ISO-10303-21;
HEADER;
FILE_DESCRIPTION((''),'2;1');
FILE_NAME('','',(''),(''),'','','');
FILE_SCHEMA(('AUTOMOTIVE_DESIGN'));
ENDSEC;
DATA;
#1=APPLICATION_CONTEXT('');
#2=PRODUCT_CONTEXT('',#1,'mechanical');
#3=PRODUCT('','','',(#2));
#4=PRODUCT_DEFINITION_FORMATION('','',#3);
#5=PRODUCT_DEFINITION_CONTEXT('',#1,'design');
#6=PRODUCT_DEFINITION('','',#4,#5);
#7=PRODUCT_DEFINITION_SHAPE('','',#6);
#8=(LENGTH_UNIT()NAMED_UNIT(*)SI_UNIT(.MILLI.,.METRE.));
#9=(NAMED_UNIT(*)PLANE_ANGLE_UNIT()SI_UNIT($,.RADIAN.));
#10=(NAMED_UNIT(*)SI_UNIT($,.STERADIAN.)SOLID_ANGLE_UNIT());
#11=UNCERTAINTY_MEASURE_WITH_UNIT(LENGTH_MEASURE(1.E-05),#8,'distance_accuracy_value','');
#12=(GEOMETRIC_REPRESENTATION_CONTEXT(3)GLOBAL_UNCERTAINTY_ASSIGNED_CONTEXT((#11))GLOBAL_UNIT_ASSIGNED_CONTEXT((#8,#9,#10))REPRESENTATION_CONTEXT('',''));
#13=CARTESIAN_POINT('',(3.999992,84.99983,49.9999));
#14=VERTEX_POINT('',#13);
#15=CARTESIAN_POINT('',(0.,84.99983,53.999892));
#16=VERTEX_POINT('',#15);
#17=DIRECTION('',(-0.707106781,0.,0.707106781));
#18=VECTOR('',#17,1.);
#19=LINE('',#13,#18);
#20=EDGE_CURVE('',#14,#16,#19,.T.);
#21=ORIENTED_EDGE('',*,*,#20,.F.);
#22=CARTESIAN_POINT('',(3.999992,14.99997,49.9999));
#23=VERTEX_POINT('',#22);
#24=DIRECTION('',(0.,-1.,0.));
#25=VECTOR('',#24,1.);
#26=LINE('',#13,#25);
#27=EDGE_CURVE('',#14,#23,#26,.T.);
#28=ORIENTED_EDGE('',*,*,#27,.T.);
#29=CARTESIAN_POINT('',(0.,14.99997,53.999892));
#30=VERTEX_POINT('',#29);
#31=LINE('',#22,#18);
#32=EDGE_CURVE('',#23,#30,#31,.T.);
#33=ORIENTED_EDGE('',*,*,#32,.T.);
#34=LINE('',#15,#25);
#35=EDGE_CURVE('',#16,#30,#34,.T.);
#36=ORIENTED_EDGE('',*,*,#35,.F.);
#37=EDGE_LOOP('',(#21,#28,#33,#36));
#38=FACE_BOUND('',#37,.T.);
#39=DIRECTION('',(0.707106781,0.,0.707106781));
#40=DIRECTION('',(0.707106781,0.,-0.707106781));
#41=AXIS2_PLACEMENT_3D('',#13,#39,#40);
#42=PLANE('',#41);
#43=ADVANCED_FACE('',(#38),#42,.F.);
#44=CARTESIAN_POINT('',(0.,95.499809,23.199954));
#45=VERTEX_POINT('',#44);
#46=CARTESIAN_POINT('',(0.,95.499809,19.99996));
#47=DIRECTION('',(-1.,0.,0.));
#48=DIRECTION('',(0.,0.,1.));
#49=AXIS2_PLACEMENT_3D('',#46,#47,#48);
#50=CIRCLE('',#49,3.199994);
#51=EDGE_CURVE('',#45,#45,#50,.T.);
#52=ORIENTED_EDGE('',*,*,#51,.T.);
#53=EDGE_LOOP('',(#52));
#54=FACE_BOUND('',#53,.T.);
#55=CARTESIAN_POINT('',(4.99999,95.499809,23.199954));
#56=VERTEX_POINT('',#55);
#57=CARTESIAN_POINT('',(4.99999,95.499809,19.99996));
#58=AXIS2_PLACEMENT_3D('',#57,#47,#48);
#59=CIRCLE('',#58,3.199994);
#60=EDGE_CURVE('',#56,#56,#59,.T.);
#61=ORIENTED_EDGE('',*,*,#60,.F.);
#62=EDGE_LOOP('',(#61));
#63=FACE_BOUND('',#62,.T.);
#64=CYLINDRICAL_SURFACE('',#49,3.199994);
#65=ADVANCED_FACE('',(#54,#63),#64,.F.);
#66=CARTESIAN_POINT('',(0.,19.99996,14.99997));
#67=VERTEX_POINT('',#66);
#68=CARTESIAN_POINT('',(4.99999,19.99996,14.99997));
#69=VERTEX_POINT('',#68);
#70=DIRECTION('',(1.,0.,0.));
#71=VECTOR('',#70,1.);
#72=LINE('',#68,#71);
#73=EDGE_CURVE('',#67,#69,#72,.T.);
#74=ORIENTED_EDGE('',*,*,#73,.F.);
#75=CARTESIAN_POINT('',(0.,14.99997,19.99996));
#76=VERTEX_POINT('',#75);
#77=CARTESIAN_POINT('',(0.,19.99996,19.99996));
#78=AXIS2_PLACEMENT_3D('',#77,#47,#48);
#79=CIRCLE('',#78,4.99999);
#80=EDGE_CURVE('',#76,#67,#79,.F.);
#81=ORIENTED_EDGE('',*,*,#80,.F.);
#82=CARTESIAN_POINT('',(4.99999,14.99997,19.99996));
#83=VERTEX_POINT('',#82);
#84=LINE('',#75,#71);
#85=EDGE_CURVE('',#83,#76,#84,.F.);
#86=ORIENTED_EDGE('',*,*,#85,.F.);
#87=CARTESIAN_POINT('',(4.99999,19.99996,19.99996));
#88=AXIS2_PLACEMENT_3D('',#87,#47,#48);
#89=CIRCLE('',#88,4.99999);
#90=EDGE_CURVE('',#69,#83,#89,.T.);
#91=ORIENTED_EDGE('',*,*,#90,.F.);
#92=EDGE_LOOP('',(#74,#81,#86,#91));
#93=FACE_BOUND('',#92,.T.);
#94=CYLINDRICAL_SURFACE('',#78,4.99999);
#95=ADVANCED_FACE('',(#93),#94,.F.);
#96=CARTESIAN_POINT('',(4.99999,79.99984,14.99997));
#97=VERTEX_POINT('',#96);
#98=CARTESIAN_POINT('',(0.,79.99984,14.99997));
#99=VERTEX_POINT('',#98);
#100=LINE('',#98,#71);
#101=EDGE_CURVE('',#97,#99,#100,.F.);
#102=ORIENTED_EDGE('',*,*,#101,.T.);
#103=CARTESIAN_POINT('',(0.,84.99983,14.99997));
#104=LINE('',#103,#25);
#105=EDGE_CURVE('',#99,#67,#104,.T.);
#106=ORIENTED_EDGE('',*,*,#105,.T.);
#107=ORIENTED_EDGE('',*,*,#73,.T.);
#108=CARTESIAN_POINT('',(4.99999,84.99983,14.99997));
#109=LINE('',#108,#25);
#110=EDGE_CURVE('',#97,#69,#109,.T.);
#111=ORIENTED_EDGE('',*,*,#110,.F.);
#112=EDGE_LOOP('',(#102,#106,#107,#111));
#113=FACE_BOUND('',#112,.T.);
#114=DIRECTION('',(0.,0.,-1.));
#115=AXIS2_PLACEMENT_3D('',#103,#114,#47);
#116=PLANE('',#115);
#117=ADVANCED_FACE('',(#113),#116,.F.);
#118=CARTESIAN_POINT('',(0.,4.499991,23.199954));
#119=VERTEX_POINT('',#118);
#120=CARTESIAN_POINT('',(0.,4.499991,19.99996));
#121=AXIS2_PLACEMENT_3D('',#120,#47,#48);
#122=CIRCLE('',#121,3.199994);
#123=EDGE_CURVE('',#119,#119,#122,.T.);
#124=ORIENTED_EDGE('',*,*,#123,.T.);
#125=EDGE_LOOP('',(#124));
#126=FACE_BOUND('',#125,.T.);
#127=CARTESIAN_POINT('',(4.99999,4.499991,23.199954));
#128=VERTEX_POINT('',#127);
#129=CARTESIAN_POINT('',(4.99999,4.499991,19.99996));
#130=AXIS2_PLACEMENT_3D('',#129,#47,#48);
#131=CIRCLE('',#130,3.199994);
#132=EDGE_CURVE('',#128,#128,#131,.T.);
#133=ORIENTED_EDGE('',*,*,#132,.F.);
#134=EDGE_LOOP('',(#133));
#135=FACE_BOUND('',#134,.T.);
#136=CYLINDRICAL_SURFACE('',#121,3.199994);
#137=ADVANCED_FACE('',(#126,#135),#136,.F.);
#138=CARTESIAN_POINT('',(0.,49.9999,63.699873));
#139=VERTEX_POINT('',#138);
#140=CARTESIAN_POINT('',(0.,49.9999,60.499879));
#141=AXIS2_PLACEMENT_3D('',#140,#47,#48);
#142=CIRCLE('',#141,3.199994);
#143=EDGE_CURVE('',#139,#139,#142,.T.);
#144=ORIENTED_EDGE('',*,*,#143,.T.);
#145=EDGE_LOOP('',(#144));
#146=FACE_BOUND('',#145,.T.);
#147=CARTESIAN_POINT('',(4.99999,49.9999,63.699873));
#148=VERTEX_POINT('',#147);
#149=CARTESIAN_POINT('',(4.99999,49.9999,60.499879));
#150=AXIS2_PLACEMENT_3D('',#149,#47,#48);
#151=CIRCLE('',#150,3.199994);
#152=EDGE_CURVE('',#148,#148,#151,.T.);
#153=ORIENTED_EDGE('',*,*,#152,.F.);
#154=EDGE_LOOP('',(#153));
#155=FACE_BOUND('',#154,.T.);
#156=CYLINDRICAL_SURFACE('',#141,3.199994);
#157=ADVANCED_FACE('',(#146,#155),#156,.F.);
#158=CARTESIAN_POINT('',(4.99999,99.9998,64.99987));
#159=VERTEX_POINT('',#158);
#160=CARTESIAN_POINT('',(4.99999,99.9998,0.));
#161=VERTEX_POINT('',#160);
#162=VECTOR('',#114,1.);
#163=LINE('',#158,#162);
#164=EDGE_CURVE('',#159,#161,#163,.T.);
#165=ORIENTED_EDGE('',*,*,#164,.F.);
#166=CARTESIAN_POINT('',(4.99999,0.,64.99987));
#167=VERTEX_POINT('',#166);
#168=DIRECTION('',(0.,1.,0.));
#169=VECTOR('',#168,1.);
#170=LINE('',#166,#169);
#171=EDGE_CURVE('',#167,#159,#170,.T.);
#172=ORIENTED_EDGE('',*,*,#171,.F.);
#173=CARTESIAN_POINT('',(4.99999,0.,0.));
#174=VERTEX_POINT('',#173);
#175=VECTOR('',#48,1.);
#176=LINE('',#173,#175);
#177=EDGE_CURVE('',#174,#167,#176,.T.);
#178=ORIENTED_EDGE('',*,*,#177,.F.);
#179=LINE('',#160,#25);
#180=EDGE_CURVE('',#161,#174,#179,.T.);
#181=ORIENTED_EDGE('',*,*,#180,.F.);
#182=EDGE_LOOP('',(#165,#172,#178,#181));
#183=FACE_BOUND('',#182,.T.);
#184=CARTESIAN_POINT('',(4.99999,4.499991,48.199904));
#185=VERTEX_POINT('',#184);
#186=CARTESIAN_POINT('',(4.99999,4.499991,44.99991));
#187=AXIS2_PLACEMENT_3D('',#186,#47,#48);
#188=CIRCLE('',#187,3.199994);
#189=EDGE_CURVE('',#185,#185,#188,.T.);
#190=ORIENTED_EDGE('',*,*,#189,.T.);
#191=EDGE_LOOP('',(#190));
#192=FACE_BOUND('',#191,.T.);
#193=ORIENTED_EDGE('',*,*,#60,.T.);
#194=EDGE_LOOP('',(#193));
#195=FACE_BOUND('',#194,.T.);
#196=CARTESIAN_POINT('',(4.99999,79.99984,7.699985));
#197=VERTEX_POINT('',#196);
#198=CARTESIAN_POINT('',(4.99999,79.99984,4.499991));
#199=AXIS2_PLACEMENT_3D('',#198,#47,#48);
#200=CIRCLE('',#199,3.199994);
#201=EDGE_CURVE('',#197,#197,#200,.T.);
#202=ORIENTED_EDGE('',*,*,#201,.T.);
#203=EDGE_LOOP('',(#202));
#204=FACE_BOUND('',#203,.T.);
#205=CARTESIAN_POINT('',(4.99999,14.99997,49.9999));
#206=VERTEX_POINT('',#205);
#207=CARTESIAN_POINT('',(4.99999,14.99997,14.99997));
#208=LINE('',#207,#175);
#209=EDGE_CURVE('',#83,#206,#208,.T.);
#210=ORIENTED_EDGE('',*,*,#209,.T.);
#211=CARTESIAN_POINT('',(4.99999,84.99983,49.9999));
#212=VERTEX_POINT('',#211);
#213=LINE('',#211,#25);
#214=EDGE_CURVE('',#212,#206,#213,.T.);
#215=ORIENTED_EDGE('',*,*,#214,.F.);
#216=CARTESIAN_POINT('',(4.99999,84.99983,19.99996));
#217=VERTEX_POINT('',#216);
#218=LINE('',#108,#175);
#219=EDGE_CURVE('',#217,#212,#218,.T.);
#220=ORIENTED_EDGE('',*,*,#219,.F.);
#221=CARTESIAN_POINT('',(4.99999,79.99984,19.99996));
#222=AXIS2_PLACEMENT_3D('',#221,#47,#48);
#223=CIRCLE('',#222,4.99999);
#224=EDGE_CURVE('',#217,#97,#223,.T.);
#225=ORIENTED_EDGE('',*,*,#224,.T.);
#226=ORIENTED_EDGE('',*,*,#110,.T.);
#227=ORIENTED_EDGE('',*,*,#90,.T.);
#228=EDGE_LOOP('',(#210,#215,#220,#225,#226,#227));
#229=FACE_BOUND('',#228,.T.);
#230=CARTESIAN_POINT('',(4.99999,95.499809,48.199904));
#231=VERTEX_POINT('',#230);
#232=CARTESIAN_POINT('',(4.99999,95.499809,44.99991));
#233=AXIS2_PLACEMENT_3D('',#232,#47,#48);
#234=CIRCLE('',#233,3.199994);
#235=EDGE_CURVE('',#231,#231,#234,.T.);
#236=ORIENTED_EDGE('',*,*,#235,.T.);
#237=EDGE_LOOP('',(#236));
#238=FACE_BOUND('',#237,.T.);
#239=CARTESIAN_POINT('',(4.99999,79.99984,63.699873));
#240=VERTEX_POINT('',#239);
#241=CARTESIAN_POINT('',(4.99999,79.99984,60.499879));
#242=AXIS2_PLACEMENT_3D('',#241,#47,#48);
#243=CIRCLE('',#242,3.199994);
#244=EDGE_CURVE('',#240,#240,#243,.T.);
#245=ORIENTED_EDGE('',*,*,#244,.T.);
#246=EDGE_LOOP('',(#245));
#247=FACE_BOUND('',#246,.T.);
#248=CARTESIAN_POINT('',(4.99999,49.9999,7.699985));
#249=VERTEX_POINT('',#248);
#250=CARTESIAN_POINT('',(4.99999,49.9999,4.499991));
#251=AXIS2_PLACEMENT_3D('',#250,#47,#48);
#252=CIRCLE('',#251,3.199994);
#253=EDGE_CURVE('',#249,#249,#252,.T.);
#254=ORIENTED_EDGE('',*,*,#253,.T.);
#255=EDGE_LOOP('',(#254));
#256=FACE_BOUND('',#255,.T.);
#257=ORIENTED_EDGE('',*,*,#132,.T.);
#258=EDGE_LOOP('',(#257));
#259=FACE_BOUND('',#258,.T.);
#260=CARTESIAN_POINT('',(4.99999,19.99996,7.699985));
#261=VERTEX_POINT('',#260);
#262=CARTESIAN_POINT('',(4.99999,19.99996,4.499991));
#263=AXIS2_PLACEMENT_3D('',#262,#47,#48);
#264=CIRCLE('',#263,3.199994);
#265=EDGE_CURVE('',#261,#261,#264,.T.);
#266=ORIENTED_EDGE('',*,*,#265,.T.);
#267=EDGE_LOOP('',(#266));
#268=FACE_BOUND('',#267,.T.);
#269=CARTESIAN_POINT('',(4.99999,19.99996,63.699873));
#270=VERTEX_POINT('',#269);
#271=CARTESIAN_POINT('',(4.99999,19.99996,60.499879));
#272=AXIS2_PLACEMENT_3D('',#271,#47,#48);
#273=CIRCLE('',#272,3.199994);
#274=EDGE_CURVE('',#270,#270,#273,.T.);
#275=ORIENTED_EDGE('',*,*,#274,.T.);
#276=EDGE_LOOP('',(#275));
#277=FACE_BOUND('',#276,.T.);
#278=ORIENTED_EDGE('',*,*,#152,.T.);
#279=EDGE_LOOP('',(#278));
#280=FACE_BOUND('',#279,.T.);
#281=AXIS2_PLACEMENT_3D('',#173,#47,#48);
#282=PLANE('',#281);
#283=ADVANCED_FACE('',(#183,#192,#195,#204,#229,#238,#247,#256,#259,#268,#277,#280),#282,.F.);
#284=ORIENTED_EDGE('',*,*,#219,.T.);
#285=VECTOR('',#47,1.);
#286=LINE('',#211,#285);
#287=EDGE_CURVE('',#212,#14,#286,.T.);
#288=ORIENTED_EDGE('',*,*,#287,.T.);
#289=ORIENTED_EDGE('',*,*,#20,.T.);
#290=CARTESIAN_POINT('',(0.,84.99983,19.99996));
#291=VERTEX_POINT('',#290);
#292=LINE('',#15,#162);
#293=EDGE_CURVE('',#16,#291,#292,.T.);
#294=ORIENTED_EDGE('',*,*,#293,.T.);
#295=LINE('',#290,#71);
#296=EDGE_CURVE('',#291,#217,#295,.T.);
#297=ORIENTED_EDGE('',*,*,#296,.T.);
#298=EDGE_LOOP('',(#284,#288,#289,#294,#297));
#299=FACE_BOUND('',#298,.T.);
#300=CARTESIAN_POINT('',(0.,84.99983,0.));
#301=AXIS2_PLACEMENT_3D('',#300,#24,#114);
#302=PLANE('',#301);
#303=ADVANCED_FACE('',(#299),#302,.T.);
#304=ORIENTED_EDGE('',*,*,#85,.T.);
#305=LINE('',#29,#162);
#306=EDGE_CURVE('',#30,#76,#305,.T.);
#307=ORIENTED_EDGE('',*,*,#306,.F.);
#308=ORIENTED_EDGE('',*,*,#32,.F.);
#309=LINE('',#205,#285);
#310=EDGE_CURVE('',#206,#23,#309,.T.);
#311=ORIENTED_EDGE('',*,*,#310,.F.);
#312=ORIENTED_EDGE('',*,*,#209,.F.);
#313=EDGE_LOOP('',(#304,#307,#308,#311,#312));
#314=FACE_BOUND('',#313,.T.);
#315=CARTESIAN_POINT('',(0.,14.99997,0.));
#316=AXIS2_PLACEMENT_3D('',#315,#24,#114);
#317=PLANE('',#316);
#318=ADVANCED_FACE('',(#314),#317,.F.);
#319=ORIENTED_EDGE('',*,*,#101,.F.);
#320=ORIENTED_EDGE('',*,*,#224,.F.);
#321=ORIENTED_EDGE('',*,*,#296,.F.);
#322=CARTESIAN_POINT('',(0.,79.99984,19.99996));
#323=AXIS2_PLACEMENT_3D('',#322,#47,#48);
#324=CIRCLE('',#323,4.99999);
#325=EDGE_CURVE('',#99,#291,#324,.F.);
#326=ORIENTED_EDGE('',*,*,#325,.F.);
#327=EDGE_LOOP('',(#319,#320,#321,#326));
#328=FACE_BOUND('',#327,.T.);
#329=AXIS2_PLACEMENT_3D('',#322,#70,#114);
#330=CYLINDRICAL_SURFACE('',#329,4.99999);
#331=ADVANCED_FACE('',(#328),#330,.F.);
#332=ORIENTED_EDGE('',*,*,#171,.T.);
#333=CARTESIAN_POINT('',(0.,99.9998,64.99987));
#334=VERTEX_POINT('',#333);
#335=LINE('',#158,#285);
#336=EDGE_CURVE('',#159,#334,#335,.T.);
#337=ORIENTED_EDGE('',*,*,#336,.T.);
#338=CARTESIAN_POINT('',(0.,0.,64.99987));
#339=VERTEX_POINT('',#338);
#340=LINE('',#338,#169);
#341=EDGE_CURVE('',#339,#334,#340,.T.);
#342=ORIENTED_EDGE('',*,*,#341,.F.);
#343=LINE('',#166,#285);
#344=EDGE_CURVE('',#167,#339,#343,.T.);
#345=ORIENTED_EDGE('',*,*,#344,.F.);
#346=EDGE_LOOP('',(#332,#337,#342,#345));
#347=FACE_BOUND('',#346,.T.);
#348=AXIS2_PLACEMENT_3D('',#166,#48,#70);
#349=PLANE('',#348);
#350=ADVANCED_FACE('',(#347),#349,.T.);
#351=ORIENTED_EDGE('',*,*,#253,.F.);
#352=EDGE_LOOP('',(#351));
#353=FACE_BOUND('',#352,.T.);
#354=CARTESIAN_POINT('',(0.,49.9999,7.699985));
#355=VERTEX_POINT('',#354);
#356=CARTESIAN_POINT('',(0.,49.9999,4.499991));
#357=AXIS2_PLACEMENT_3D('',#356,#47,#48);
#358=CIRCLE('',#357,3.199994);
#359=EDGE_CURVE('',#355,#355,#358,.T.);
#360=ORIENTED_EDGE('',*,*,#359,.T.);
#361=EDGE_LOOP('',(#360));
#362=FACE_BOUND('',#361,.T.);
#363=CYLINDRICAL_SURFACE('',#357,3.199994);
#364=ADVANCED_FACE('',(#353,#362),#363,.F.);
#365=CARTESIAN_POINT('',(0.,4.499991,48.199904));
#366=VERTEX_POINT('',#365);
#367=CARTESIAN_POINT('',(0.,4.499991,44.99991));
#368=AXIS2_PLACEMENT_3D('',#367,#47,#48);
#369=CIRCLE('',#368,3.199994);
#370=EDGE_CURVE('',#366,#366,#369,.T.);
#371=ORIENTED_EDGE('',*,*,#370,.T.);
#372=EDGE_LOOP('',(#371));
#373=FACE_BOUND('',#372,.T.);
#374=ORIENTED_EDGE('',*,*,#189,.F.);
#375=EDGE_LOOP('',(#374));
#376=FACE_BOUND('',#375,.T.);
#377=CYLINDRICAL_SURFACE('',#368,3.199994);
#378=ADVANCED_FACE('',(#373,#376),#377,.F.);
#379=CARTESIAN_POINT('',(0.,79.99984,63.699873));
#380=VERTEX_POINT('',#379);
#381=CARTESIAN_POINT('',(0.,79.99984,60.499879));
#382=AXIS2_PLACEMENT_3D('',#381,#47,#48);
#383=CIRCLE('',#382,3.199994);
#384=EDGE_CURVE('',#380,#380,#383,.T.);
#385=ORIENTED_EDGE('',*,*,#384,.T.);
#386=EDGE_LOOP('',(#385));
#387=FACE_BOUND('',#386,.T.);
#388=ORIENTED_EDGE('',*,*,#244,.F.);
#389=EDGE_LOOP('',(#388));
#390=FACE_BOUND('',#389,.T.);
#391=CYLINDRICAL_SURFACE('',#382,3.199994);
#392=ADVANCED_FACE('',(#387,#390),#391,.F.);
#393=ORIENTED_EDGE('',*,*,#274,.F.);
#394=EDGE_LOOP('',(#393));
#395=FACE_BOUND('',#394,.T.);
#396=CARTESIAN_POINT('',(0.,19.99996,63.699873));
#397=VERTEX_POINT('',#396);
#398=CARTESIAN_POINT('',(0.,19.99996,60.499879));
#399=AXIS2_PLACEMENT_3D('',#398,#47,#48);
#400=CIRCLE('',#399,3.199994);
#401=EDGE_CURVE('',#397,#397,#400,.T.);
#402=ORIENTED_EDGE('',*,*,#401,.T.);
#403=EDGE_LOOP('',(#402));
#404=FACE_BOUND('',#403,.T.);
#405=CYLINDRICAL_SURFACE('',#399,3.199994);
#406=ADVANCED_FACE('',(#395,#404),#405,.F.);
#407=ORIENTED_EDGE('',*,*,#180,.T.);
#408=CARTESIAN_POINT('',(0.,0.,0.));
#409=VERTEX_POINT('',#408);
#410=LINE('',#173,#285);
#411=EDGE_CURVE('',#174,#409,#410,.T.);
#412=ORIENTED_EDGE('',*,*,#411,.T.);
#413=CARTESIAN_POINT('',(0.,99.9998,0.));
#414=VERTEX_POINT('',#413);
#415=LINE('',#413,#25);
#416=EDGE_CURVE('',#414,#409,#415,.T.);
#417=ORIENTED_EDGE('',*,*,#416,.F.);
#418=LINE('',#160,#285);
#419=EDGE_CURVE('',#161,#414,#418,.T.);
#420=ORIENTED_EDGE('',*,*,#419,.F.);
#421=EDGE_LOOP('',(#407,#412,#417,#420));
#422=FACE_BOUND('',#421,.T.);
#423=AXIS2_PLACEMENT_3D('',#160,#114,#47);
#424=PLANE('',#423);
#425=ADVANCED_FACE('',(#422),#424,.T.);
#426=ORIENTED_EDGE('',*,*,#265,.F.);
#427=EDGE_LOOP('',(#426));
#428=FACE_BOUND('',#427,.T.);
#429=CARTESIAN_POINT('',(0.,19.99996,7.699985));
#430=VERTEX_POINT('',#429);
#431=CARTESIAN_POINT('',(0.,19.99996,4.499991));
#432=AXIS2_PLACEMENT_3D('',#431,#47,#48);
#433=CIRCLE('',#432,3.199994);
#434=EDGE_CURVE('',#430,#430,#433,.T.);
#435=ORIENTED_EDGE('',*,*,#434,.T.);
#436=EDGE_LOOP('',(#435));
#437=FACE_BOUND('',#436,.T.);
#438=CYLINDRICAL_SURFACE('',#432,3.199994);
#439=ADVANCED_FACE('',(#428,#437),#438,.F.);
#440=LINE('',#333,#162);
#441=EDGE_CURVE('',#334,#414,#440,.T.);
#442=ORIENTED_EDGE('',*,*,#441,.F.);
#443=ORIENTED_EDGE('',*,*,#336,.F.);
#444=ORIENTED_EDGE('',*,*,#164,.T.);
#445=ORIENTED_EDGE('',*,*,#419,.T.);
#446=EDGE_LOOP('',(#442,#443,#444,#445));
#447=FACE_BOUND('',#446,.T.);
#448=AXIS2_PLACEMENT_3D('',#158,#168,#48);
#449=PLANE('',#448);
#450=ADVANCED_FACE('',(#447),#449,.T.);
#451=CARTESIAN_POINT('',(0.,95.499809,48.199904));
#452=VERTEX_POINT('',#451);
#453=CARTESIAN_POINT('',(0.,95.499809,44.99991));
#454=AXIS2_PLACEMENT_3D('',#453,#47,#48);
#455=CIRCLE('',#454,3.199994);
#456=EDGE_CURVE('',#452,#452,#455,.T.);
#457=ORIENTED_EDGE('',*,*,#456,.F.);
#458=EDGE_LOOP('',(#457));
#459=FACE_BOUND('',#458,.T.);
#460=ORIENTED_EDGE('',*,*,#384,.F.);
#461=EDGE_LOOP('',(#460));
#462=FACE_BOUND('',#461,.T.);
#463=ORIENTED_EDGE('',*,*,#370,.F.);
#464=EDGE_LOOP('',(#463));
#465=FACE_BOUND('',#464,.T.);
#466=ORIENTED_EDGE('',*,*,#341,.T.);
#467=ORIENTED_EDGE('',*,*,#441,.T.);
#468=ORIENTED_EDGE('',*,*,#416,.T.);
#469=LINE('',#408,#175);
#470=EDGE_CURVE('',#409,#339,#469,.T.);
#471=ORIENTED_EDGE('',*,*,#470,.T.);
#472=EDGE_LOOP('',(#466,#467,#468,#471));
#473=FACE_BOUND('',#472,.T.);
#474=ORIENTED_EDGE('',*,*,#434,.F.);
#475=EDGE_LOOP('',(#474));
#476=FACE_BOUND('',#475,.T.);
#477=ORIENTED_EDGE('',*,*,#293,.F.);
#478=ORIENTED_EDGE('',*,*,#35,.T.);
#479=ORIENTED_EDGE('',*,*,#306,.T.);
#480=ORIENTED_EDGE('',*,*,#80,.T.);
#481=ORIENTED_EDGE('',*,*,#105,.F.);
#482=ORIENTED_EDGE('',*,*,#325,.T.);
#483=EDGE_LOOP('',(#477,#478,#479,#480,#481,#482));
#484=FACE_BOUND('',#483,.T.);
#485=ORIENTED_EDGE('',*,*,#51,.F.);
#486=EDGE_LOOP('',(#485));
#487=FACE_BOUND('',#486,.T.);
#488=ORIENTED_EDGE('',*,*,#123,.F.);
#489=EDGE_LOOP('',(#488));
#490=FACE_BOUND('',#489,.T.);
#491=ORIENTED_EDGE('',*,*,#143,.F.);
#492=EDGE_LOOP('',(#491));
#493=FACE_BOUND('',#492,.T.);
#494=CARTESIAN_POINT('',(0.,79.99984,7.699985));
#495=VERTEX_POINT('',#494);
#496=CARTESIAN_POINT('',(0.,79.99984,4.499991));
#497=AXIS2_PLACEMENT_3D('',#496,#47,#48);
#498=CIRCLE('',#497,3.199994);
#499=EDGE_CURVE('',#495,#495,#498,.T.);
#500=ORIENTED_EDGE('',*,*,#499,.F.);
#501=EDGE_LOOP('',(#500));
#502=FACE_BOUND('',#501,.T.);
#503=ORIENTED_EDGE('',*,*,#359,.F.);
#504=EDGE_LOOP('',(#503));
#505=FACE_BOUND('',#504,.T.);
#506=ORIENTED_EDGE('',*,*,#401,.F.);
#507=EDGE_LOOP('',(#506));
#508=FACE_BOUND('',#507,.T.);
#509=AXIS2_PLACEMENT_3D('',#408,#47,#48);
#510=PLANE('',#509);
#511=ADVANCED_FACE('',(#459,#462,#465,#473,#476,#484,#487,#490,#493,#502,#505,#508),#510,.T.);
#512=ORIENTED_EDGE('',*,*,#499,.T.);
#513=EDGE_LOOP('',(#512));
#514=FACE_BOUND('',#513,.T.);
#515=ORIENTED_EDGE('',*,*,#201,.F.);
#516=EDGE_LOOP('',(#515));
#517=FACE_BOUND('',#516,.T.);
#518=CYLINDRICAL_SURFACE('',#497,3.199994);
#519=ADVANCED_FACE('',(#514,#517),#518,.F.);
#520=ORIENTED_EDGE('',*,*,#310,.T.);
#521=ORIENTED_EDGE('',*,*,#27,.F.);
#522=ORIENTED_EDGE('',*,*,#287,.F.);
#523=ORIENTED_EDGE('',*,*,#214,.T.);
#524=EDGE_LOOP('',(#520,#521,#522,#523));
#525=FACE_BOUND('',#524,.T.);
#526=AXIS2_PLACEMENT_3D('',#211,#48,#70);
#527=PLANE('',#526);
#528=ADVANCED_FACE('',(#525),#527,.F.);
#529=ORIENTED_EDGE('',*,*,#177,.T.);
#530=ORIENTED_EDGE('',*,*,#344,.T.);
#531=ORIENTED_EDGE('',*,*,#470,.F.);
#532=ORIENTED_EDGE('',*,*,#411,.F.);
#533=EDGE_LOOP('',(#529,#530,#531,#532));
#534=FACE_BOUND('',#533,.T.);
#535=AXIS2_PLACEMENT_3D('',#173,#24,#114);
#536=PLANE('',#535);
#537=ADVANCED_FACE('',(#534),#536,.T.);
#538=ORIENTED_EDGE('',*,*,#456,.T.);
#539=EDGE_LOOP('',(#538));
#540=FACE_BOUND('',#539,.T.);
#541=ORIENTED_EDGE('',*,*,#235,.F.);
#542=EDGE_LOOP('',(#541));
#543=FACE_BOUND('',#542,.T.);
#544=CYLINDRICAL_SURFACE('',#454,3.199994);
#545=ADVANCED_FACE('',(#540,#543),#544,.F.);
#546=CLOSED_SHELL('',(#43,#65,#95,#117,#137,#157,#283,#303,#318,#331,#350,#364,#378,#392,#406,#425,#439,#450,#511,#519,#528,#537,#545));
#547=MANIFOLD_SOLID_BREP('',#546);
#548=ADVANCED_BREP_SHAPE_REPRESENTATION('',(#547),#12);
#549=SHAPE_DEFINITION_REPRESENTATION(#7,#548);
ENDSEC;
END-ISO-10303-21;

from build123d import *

# Parameters (mm, degrees)
SKETCH1_W           = 99.9998
SKETCH1_H           = 64.99987
BOSS_EXTRUDE1_DEPTH = 4.99999
CUT_EXTRUDE1_DEPTH  = 69.99986
HOLE1_D             = 6.3999872
FILLET1_R           = 4.99999


with BuildPart() as part:
    # Sketch1 → Boss-Extrude1 (new body)
    with BuildSketch(Plane(origin=(0, 0, 0), x_dir=(0, -1, 0), z_dir=(-1, 0, 0))):
        with Locations((-49.9999, 32.499935)):
            Rectangle(SKETCH1_W, SKETCH1_H)
    extrude(amount=-BOSS_EXTRUDE1_DEPTH)

    # Sketch2 → Cut-Extrude1 (cut)
    with BuildSketch(Plane.XZ.offset(-14.99997)):
        Polygon((0, 53.999892), (0, 14.99997), (4.99999, 14.99997), (4.99999, 49.9999), (3.999992, 49.9999), align=None)
    extrude(amount=-CUT_EXTRUDE1_DEPTH, mode=Mode.SUBTRACT)

    # Hole1 (through all)
    with Locations(Plane.ZY):
        with Locations((60.499879, 19.99996), (44.99991, 4.499991), (19.99996, 4.499991), (4.499991, 19.99996), (4.499991, 49.9999), (4.499991, 79.99984), (19.99996, 95.499809), (44.99991, 95.499809), (60.499879, 79.99984), (60.499879, 49.9999)):
            Hole(HOLE1_D / 2)

    # Fillet1
    fillet1_edges = [part.edges().sort_by_distance(p)[0] for p in [
        (2.499995, 84.99983, 14.99997),
        (2.499995, 14.99997, 14.99997),
    ]]
    fillet(fillet1_edges, radius=FILLET1_R)


solid = part.part
